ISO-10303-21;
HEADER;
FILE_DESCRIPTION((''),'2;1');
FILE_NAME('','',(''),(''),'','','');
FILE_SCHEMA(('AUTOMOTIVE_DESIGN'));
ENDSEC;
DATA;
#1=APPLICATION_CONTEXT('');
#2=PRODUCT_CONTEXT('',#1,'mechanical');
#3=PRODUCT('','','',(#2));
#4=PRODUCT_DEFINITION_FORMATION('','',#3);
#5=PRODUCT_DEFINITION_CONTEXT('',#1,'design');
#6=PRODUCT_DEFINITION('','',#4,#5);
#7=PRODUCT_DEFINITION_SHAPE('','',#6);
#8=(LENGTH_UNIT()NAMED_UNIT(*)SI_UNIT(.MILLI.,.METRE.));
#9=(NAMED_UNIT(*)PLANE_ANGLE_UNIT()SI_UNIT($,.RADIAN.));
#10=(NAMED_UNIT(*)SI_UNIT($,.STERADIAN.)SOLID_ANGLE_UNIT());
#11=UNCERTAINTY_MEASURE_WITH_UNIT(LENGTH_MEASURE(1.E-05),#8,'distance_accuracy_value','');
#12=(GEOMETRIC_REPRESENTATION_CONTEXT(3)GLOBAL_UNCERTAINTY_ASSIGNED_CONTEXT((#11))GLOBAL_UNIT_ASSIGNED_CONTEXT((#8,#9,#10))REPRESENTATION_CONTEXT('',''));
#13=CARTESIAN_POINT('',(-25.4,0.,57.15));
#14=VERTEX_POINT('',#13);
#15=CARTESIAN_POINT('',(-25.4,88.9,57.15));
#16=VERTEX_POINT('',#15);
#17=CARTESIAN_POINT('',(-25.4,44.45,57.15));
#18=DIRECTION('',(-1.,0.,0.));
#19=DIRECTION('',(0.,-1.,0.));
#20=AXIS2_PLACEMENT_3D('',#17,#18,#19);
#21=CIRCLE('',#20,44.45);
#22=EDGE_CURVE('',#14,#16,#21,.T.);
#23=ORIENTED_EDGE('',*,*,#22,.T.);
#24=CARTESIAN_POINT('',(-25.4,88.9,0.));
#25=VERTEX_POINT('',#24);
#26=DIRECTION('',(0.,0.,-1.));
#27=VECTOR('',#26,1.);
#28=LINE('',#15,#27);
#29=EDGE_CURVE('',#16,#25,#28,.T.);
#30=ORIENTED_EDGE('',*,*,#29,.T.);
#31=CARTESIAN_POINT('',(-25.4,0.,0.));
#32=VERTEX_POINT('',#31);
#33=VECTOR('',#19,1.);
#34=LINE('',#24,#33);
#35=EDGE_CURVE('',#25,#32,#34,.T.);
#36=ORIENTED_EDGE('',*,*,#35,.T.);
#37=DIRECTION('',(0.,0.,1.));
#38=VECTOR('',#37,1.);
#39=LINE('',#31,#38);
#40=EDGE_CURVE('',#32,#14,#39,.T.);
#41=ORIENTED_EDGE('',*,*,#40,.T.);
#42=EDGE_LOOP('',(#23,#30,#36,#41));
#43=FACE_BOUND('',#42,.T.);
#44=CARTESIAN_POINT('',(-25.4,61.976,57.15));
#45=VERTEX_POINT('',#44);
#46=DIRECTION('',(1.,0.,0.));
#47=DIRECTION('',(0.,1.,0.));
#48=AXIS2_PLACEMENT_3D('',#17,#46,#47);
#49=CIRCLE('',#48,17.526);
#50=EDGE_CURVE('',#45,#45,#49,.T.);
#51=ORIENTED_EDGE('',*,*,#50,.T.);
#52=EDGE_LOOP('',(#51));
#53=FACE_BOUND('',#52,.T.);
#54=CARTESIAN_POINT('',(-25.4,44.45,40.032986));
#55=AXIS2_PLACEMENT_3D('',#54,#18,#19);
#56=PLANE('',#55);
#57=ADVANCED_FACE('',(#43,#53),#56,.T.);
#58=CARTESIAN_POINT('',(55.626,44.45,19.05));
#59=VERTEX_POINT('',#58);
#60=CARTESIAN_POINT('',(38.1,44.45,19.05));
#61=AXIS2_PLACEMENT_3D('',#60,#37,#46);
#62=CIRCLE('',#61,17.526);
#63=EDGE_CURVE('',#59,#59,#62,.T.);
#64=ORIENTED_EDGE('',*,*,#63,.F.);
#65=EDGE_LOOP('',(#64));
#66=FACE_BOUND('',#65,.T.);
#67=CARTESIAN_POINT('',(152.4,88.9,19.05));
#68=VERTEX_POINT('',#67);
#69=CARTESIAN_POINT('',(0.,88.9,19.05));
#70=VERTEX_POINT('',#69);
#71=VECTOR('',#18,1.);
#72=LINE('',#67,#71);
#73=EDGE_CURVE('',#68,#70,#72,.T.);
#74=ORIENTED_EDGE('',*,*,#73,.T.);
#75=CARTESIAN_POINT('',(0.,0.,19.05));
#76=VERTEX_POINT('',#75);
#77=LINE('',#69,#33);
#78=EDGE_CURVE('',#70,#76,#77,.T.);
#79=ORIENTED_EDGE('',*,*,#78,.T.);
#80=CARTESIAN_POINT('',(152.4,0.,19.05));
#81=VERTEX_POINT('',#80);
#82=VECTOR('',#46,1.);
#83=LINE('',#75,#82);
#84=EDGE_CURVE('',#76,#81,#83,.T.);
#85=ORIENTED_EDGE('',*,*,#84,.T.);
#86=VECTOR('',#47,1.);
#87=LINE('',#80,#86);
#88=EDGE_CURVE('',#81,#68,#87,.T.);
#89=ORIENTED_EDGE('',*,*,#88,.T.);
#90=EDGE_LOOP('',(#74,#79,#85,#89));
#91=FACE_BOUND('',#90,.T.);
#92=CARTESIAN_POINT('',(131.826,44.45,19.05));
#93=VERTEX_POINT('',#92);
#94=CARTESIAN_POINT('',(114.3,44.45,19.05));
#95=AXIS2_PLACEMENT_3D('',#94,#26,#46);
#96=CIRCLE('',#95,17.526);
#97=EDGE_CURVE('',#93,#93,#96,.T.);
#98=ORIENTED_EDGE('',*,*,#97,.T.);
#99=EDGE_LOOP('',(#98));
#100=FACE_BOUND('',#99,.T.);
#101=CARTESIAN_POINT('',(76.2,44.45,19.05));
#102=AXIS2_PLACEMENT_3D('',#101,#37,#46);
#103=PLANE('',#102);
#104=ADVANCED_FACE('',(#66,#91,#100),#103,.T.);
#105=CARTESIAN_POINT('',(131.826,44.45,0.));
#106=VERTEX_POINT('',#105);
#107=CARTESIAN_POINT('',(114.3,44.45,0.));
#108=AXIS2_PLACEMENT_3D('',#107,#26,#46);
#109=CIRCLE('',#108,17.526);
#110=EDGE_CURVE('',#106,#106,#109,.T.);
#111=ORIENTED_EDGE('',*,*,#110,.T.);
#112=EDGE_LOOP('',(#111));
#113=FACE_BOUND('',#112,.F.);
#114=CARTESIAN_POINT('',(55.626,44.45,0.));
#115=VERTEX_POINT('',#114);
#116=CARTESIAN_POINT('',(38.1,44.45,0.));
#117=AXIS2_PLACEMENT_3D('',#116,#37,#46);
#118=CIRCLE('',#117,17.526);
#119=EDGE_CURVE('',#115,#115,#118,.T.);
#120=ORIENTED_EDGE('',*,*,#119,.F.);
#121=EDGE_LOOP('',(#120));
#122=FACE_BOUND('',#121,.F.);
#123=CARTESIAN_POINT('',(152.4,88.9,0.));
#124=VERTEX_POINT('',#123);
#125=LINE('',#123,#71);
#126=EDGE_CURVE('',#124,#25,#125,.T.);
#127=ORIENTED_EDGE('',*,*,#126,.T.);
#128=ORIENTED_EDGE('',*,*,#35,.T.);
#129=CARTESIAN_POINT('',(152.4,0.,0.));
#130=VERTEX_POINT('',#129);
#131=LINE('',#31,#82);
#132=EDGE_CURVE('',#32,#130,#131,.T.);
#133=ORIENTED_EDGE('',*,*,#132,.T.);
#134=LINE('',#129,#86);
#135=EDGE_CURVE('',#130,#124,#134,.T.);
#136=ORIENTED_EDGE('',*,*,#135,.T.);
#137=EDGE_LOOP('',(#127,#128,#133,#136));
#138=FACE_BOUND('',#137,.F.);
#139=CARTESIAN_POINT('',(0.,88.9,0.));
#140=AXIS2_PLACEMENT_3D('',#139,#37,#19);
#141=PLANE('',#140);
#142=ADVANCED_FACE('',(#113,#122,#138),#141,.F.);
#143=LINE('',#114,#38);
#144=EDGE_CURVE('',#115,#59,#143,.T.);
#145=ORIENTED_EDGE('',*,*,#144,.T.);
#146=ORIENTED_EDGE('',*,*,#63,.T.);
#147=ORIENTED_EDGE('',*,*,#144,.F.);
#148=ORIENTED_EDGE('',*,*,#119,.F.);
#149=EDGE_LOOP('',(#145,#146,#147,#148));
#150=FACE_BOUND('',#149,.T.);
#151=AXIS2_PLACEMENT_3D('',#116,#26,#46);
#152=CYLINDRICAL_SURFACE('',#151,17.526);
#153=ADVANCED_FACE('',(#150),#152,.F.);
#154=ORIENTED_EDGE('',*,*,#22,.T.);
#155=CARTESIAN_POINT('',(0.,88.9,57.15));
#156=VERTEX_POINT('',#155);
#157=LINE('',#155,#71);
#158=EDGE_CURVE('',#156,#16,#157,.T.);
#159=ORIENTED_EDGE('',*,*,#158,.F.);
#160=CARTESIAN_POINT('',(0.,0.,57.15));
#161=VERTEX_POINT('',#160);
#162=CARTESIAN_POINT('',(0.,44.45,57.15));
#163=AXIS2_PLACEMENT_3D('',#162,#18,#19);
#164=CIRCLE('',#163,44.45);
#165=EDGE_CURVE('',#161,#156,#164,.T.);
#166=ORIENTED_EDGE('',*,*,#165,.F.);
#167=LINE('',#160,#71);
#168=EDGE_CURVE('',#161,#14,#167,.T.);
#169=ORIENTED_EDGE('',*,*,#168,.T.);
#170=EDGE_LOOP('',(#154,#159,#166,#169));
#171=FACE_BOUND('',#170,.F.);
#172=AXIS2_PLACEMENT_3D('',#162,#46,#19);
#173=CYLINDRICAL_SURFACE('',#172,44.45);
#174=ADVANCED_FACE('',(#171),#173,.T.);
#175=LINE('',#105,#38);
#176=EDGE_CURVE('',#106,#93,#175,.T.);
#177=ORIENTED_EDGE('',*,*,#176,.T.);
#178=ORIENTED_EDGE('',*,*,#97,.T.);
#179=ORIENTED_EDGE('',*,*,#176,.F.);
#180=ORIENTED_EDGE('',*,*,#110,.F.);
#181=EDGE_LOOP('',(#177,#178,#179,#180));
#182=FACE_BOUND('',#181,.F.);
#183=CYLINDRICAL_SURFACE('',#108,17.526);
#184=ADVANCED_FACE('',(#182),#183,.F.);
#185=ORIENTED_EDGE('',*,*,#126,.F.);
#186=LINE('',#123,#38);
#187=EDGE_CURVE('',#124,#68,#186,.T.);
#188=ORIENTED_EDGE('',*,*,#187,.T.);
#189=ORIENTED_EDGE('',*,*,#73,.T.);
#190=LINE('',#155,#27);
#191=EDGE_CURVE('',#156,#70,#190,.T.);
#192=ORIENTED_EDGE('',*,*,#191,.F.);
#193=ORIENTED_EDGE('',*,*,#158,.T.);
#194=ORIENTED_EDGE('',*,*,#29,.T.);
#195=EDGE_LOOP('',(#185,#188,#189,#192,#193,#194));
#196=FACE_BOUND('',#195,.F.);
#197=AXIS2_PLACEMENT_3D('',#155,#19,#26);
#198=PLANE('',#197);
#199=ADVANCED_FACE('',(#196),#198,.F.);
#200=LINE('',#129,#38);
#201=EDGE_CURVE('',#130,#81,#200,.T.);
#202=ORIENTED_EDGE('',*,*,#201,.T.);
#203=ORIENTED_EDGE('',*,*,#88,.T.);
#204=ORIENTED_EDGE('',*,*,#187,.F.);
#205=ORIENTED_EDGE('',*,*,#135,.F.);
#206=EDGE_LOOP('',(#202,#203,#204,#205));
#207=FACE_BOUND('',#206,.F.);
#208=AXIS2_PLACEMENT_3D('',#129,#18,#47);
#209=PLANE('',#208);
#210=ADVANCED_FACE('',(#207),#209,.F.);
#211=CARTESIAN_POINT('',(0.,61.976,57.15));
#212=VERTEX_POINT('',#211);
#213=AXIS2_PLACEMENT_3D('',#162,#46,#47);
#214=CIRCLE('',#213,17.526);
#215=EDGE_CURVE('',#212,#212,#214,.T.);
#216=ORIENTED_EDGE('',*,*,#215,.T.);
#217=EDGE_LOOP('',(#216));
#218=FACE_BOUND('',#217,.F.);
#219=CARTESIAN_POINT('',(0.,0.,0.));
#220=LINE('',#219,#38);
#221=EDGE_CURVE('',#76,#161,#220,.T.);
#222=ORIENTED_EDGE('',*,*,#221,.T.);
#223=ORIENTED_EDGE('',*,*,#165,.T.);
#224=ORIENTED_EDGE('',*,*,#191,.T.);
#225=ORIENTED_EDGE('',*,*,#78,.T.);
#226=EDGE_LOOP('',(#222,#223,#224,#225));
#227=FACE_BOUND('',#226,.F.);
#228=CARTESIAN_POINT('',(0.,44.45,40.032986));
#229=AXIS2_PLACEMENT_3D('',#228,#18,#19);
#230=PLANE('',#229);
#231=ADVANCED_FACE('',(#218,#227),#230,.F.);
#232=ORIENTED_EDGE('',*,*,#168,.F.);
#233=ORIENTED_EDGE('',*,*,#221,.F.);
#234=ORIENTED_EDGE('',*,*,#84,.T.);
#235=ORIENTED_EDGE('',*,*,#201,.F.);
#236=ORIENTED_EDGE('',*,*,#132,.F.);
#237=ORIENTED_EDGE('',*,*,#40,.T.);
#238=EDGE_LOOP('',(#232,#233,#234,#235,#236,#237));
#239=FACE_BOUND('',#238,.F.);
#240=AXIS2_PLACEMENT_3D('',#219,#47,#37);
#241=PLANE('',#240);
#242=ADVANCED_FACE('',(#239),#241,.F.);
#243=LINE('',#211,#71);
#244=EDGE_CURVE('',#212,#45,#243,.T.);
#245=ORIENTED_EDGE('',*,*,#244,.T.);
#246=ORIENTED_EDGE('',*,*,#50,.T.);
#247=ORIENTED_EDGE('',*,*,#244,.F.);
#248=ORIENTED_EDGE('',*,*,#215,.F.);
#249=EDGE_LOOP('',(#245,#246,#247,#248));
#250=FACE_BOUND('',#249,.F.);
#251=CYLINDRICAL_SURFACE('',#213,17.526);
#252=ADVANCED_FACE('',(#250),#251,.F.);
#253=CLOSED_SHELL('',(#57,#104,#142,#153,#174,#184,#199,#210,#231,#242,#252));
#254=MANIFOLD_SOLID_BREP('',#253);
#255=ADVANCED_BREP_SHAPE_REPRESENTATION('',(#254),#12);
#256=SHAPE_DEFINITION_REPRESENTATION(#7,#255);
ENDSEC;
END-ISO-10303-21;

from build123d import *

# Parameters (mm, degrees)
F0_R     = 26.900077
F0_R_2   = 17.526
F1_DEPTH = 19.05
F3_DEPTH = 25.4


with BuildPart() as f1:
    # F0 (on Top) → F1 (new body)
    with BuildSketch(Plane.XY):
        Polygon((0, 88.9), (0, 0), (152.4, 0), (152.4, 44.45), (152.4, 88.9), align=None)
        with Locations((38.1, 44.45)):
            Circle(F0_R, mode=Mode.SUBTRACT)
        with BuildLine():
            ThreePointArc((96.774, 44.45), (114.3, 61.976), (131.826, 44.45))
            ThreePointArc((131.826, 44.45), (114.3, 26.924), (96.774, 44.45))
        make_face(mode=Mode.SUBTRACT)
        with Locations((38.1, 44.45)):
            Circle(F0_R)
        with Locations((38.1, 44.45)):
            Circle(F0_R_2, mode=Mode.SUBTRACT)
    extrude(amount=F1_DEPTH)

    # F2 (on face) → F3 (join)
    with BuildSketch(Plane(origin=(0, 0, 0), x_dir=(0, -1, 0), z_dir=(-1, 0, 0))):
        with BuildLine():
            ThreePointArc((-21.554749, 19.05), (-5.76217, 35.262691), (0, 57.15))
            Line((0, 57.15), (-26.924, 57.15))
            ThreePointArc((-26.924, 57.15), (-44.45, 39.624), (-61.976, 57.15))
            Line((-61.976, 57.15), (-88.9, 57.15))
            ThreePointArc((-88.9, 57.15), (-83.13783, 35.262691), (-67.345251, 19.05))
            Line((-67.345251, 19.05), (-21.554749, 19.05))
        make_face()
        with BuildLine():
            Line((-21.554749, 19.05), (0, 19.05))
            Line((0, 19.05), (0, 57.15))
            ThreePointArc((0, 57.15), (-5.76217, 35.262691), (-21.554749, 19.05))
        make_face()
        with BuildLine():
            Line((-88.9, 57.15), (-88.9, 19.05))
            Line((-88.9, 19.05), (-67.345251, 19.05))
            ThreePointArc((-67.345251, 19.05), (-83.13783, 35.262691), (-88.9, 57.15))
        make_face()
        with BuildLine():
            ThreePointArc((-67.345251, 19.05), (-44.45, 12.7), (-21.554749, 19.05))
            Line((-21.554749, 19.05), (-67.345251, 19.05))
        make_face()
        with BuildLine():
            Line((-88.9, 0), (0, 0))
            Line((0, 0), (0, 19.05))
            Line((0, 19.05), (-21.554749, 19.05))
            ThreePointArc((-21.554749, 19.05), (-44.45, 12.7), (-67.345251, 19.05))
            Line((-67.345251, 19.05), (-88.9, 19.05))
            Line((-88.9, 19.05), (-88.9, 0))
        make_face()
        with BuildLine():
            Line((-26.924, 57.15), (0, 57.15))
            ThreePointArc((0, 57.15), (-44.45, 101.6), (-88.9, 57.15))
            Line((-88.9, 57.15), (-61.976, 57.15))
            ThreePointArc((-61.976, 57.15), (-44.45, 74.676), (-26.924, 57.15))
        make_face()
    extrude(amount=F3_DEPTH)


solid = f1.part
